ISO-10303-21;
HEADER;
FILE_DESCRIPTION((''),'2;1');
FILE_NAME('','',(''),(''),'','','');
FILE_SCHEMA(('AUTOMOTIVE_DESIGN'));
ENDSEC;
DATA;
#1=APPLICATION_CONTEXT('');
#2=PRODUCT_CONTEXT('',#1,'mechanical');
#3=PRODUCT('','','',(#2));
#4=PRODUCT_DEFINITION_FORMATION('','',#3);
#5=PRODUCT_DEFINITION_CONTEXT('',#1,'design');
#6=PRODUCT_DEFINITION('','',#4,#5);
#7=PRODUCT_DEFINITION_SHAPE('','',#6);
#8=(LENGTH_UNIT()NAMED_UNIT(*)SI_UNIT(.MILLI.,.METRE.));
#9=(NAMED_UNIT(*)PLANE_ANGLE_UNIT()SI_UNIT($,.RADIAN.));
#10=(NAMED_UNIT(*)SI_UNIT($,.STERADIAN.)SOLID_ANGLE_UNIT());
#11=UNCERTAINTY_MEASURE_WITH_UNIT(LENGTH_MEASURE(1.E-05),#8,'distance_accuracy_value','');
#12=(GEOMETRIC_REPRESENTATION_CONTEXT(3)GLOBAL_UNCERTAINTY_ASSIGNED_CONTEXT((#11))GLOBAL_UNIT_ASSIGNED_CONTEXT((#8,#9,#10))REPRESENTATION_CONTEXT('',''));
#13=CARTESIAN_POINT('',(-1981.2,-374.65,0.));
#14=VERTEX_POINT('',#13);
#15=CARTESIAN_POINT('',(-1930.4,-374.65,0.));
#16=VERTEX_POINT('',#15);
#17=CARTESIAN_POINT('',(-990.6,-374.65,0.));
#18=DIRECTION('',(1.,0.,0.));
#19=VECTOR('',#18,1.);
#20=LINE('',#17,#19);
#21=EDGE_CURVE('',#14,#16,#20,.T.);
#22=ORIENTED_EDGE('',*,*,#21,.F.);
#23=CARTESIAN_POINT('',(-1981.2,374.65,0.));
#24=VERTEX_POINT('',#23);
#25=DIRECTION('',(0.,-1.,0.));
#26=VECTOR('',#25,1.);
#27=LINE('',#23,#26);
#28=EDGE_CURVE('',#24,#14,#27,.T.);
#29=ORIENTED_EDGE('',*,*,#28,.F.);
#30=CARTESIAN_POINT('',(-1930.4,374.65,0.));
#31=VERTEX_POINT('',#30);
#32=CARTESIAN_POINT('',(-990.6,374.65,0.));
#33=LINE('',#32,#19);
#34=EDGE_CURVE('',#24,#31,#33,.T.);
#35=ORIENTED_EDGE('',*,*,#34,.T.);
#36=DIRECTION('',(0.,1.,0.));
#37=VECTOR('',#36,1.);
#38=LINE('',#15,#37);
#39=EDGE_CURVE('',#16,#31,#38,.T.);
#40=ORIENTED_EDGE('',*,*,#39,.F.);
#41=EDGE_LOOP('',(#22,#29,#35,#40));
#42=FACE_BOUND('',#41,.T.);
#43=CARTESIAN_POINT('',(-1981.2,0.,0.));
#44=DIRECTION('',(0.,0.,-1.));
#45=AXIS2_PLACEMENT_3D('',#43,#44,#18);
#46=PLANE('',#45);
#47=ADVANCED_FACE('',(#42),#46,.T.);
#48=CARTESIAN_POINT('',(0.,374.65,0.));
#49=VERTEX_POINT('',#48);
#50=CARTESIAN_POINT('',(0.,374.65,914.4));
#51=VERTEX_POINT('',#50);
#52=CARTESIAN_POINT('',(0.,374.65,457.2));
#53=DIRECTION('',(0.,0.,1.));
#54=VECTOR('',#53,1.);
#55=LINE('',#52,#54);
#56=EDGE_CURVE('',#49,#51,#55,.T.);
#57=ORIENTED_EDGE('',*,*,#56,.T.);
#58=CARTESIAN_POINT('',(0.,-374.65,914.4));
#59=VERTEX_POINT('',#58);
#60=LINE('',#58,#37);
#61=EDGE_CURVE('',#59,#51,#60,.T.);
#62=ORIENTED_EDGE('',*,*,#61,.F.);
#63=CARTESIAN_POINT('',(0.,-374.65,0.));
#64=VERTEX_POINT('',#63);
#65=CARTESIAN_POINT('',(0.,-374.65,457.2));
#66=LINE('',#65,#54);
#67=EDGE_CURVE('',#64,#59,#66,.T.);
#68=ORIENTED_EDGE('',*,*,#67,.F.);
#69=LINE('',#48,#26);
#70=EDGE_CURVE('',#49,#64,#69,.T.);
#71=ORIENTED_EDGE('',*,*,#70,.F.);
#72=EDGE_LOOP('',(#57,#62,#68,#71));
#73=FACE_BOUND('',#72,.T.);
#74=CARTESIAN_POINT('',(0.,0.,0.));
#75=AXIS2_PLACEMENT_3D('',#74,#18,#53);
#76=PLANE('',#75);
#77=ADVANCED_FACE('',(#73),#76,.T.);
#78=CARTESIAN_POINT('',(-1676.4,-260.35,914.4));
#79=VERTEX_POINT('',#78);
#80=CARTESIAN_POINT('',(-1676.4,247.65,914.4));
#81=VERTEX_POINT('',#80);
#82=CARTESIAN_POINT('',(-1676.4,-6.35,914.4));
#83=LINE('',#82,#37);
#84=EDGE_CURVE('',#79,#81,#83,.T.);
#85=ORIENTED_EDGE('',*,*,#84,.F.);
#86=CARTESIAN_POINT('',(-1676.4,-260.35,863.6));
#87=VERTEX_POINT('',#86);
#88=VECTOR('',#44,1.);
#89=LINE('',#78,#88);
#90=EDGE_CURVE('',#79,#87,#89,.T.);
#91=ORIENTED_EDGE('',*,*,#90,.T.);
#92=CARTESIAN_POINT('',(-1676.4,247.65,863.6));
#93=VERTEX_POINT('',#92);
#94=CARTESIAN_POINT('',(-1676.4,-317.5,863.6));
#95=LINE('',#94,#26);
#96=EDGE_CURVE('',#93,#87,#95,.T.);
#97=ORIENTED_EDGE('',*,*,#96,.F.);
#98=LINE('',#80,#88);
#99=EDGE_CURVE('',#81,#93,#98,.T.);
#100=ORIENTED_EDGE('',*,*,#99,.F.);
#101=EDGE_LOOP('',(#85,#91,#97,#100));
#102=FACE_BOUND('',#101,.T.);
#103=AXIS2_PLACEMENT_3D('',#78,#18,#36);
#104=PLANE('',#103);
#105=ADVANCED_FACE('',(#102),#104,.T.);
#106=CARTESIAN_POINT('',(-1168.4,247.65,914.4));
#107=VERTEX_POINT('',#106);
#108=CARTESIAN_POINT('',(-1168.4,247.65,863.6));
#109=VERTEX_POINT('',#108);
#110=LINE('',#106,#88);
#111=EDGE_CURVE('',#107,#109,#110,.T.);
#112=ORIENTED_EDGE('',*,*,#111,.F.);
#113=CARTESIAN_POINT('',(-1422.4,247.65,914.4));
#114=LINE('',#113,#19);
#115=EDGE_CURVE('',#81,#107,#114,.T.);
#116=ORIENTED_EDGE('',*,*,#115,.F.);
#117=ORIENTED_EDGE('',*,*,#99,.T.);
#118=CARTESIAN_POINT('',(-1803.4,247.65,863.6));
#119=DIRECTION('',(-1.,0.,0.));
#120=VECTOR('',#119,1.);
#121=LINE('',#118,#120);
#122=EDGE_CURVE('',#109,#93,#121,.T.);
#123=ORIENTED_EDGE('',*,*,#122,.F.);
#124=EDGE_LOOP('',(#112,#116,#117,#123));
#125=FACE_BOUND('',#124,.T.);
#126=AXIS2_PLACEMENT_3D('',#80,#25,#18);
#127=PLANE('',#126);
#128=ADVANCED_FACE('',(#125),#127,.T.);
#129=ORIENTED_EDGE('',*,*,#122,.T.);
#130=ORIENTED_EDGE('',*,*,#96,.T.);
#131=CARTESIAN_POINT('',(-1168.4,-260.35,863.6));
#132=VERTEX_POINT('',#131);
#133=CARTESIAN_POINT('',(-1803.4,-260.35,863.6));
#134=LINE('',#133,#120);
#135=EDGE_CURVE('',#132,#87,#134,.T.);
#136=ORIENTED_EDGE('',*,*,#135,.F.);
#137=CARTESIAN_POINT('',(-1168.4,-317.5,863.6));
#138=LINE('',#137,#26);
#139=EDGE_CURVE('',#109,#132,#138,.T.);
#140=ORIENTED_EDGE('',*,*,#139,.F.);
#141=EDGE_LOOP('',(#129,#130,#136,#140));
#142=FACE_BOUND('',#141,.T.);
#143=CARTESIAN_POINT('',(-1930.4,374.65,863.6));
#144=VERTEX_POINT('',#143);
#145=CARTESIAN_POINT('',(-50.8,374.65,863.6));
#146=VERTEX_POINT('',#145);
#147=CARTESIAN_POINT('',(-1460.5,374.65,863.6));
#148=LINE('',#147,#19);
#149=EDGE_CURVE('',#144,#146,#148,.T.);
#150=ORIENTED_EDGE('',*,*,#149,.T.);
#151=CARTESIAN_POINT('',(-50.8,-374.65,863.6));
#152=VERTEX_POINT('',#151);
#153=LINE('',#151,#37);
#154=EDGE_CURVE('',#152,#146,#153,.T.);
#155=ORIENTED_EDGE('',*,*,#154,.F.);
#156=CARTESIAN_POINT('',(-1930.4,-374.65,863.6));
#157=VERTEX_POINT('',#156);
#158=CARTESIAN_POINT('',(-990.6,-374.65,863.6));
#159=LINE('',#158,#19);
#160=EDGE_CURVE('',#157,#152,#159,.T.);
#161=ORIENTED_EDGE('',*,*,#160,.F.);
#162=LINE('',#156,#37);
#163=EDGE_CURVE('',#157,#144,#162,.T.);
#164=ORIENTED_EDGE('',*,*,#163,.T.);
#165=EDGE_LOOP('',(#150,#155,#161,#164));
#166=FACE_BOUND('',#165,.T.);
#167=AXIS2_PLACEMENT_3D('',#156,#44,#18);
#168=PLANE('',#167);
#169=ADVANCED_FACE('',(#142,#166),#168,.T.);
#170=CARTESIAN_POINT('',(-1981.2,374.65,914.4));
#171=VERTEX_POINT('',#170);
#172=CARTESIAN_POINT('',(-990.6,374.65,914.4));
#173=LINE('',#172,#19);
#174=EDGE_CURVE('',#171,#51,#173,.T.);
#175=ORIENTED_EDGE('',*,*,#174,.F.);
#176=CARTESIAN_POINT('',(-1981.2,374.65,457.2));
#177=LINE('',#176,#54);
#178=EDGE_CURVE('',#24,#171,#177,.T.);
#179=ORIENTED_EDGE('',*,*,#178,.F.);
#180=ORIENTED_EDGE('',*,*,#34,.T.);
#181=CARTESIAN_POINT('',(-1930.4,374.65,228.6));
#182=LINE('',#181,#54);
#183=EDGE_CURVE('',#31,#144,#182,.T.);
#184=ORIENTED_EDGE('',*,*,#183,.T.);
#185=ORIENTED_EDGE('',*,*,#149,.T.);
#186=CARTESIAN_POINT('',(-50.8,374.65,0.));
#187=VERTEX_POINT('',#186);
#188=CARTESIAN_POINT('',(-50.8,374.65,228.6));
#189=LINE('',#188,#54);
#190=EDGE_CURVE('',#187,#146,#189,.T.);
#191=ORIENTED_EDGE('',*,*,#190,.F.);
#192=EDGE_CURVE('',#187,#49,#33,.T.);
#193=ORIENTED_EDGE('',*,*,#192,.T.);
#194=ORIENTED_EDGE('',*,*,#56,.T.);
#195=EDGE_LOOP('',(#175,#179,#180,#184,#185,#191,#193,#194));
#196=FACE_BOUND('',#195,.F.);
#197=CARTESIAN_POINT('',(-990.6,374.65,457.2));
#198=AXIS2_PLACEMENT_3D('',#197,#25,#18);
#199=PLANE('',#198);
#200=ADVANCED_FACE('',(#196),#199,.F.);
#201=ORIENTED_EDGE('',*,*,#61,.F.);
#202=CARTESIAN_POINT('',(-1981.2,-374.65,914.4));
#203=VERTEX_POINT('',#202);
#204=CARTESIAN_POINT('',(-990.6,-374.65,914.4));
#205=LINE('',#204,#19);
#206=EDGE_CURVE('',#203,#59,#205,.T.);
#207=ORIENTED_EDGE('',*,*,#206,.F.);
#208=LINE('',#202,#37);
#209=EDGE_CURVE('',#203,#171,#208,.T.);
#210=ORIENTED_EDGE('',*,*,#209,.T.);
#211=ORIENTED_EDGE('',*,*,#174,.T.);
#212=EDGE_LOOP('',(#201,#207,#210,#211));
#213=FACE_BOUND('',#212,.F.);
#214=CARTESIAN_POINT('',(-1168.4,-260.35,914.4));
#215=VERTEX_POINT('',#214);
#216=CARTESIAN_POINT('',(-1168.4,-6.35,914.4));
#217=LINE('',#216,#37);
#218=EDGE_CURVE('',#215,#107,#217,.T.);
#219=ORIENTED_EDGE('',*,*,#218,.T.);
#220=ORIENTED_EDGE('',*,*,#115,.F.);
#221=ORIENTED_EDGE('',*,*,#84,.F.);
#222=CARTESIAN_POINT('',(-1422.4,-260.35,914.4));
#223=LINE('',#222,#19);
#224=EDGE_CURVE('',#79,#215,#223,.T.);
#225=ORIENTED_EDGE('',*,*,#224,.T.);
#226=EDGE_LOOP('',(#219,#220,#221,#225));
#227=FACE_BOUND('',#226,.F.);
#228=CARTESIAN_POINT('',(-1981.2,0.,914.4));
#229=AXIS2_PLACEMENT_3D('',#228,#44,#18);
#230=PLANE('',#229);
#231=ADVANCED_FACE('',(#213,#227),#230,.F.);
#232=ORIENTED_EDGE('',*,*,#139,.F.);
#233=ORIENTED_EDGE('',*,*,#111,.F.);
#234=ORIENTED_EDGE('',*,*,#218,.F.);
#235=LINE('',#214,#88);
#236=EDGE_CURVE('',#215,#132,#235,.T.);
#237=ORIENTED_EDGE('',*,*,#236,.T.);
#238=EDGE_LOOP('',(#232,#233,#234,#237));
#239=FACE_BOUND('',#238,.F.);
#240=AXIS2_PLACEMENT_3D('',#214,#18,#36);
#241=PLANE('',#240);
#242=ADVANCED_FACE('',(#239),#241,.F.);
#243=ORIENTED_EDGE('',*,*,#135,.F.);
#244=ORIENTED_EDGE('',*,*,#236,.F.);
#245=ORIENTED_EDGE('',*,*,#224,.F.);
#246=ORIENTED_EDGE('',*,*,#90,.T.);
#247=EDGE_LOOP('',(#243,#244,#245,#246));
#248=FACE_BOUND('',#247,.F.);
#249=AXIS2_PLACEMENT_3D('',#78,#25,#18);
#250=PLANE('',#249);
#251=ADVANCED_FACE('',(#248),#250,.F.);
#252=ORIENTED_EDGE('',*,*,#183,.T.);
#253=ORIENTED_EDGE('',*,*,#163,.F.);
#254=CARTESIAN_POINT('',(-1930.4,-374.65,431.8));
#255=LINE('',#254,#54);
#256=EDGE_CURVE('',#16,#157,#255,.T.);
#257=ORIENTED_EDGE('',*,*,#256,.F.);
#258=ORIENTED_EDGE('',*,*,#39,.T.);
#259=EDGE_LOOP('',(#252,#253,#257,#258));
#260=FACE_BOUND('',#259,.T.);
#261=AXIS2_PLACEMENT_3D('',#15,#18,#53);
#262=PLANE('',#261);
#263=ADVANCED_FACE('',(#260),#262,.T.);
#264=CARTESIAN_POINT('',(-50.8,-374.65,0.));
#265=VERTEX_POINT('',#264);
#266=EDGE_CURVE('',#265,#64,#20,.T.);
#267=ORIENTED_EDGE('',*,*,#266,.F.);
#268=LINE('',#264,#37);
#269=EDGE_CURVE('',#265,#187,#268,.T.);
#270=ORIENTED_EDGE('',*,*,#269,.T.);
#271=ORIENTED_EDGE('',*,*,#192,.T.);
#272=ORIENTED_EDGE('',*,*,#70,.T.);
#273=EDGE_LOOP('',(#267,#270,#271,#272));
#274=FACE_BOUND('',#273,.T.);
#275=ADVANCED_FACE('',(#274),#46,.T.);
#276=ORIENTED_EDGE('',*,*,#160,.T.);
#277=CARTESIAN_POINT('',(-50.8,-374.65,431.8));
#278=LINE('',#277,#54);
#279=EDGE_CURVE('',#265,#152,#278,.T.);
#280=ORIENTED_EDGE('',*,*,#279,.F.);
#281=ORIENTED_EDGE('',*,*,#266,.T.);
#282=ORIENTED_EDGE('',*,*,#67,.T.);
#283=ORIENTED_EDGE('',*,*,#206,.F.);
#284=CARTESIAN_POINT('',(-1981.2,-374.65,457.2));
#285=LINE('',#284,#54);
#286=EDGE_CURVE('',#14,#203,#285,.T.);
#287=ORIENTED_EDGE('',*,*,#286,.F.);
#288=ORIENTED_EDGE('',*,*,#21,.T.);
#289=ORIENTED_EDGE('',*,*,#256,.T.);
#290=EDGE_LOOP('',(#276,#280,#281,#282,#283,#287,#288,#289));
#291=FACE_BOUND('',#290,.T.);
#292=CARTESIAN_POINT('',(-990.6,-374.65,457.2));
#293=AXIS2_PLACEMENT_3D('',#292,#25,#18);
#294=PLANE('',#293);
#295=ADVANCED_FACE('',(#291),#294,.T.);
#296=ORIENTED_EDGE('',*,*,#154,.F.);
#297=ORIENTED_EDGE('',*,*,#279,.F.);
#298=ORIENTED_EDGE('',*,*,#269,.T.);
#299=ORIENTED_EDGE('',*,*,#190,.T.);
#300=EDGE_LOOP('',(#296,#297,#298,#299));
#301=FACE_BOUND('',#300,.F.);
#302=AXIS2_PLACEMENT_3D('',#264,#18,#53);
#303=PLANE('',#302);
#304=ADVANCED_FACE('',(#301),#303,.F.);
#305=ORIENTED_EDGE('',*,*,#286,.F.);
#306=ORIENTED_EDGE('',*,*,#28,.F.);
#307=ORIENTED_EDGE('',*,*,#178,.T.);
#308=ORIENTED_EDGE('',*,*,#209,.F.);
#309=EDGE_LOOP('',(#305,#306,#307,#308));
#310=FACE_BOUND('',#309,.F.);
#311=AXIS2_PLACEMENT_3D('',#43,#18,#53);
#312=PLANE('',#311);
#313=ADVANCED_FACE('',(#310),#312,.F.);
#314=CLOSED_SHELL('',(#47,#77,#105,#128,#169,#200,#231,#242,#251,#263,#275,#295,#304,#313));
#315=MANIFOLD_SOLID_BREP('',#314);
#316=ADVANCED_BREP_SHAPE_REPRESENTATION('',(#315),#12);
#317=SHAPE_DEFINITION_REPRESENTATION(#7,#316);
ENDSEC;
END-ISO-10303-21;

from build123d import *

# Parameters (mm, degrees)
F0_W     = 1981.2
F0_H     = 914.4
F1_DEPTH = 374.65
F2_W     = 1879.6
F2_H     = 863.6
F3_DEPTH = 749.301
F4_W     = 508
F4_H     = 508
F5_DEPTH = 914.401


with BuildPart() as f1:
    # F0 (on Front) → F1 (new body, symmetric)
    with BuildSketch(Plane.XZ):
        with Locations((-990.6, 457.2)):
            Rectangle(F0_W, F0_H)
    extrude(amount=F1_DEPTH, both=True)

    # F2 (on face) → F3 (cut, through all)
    with BuildSketch(Plane.XZ.offset(374.65)):
        with Locations((-990.6, 431.8)):
            Rectangle(F2_W, F2_H)
    extrude(amount=-F3_DEPTH, mode=Mode.SUBTRACT)

    # F4 (on face) → F5 (cut, through all)
    with BuildSketch(Plane.XY.offset(914.4)):
        with Locations((-1422.4, -6.35)):
            Rectangle(F4_W, F4_H)
    extrude(amount=-F5_DEPTH, mode=Mode.SUBTRACT)


solid = f1.part
